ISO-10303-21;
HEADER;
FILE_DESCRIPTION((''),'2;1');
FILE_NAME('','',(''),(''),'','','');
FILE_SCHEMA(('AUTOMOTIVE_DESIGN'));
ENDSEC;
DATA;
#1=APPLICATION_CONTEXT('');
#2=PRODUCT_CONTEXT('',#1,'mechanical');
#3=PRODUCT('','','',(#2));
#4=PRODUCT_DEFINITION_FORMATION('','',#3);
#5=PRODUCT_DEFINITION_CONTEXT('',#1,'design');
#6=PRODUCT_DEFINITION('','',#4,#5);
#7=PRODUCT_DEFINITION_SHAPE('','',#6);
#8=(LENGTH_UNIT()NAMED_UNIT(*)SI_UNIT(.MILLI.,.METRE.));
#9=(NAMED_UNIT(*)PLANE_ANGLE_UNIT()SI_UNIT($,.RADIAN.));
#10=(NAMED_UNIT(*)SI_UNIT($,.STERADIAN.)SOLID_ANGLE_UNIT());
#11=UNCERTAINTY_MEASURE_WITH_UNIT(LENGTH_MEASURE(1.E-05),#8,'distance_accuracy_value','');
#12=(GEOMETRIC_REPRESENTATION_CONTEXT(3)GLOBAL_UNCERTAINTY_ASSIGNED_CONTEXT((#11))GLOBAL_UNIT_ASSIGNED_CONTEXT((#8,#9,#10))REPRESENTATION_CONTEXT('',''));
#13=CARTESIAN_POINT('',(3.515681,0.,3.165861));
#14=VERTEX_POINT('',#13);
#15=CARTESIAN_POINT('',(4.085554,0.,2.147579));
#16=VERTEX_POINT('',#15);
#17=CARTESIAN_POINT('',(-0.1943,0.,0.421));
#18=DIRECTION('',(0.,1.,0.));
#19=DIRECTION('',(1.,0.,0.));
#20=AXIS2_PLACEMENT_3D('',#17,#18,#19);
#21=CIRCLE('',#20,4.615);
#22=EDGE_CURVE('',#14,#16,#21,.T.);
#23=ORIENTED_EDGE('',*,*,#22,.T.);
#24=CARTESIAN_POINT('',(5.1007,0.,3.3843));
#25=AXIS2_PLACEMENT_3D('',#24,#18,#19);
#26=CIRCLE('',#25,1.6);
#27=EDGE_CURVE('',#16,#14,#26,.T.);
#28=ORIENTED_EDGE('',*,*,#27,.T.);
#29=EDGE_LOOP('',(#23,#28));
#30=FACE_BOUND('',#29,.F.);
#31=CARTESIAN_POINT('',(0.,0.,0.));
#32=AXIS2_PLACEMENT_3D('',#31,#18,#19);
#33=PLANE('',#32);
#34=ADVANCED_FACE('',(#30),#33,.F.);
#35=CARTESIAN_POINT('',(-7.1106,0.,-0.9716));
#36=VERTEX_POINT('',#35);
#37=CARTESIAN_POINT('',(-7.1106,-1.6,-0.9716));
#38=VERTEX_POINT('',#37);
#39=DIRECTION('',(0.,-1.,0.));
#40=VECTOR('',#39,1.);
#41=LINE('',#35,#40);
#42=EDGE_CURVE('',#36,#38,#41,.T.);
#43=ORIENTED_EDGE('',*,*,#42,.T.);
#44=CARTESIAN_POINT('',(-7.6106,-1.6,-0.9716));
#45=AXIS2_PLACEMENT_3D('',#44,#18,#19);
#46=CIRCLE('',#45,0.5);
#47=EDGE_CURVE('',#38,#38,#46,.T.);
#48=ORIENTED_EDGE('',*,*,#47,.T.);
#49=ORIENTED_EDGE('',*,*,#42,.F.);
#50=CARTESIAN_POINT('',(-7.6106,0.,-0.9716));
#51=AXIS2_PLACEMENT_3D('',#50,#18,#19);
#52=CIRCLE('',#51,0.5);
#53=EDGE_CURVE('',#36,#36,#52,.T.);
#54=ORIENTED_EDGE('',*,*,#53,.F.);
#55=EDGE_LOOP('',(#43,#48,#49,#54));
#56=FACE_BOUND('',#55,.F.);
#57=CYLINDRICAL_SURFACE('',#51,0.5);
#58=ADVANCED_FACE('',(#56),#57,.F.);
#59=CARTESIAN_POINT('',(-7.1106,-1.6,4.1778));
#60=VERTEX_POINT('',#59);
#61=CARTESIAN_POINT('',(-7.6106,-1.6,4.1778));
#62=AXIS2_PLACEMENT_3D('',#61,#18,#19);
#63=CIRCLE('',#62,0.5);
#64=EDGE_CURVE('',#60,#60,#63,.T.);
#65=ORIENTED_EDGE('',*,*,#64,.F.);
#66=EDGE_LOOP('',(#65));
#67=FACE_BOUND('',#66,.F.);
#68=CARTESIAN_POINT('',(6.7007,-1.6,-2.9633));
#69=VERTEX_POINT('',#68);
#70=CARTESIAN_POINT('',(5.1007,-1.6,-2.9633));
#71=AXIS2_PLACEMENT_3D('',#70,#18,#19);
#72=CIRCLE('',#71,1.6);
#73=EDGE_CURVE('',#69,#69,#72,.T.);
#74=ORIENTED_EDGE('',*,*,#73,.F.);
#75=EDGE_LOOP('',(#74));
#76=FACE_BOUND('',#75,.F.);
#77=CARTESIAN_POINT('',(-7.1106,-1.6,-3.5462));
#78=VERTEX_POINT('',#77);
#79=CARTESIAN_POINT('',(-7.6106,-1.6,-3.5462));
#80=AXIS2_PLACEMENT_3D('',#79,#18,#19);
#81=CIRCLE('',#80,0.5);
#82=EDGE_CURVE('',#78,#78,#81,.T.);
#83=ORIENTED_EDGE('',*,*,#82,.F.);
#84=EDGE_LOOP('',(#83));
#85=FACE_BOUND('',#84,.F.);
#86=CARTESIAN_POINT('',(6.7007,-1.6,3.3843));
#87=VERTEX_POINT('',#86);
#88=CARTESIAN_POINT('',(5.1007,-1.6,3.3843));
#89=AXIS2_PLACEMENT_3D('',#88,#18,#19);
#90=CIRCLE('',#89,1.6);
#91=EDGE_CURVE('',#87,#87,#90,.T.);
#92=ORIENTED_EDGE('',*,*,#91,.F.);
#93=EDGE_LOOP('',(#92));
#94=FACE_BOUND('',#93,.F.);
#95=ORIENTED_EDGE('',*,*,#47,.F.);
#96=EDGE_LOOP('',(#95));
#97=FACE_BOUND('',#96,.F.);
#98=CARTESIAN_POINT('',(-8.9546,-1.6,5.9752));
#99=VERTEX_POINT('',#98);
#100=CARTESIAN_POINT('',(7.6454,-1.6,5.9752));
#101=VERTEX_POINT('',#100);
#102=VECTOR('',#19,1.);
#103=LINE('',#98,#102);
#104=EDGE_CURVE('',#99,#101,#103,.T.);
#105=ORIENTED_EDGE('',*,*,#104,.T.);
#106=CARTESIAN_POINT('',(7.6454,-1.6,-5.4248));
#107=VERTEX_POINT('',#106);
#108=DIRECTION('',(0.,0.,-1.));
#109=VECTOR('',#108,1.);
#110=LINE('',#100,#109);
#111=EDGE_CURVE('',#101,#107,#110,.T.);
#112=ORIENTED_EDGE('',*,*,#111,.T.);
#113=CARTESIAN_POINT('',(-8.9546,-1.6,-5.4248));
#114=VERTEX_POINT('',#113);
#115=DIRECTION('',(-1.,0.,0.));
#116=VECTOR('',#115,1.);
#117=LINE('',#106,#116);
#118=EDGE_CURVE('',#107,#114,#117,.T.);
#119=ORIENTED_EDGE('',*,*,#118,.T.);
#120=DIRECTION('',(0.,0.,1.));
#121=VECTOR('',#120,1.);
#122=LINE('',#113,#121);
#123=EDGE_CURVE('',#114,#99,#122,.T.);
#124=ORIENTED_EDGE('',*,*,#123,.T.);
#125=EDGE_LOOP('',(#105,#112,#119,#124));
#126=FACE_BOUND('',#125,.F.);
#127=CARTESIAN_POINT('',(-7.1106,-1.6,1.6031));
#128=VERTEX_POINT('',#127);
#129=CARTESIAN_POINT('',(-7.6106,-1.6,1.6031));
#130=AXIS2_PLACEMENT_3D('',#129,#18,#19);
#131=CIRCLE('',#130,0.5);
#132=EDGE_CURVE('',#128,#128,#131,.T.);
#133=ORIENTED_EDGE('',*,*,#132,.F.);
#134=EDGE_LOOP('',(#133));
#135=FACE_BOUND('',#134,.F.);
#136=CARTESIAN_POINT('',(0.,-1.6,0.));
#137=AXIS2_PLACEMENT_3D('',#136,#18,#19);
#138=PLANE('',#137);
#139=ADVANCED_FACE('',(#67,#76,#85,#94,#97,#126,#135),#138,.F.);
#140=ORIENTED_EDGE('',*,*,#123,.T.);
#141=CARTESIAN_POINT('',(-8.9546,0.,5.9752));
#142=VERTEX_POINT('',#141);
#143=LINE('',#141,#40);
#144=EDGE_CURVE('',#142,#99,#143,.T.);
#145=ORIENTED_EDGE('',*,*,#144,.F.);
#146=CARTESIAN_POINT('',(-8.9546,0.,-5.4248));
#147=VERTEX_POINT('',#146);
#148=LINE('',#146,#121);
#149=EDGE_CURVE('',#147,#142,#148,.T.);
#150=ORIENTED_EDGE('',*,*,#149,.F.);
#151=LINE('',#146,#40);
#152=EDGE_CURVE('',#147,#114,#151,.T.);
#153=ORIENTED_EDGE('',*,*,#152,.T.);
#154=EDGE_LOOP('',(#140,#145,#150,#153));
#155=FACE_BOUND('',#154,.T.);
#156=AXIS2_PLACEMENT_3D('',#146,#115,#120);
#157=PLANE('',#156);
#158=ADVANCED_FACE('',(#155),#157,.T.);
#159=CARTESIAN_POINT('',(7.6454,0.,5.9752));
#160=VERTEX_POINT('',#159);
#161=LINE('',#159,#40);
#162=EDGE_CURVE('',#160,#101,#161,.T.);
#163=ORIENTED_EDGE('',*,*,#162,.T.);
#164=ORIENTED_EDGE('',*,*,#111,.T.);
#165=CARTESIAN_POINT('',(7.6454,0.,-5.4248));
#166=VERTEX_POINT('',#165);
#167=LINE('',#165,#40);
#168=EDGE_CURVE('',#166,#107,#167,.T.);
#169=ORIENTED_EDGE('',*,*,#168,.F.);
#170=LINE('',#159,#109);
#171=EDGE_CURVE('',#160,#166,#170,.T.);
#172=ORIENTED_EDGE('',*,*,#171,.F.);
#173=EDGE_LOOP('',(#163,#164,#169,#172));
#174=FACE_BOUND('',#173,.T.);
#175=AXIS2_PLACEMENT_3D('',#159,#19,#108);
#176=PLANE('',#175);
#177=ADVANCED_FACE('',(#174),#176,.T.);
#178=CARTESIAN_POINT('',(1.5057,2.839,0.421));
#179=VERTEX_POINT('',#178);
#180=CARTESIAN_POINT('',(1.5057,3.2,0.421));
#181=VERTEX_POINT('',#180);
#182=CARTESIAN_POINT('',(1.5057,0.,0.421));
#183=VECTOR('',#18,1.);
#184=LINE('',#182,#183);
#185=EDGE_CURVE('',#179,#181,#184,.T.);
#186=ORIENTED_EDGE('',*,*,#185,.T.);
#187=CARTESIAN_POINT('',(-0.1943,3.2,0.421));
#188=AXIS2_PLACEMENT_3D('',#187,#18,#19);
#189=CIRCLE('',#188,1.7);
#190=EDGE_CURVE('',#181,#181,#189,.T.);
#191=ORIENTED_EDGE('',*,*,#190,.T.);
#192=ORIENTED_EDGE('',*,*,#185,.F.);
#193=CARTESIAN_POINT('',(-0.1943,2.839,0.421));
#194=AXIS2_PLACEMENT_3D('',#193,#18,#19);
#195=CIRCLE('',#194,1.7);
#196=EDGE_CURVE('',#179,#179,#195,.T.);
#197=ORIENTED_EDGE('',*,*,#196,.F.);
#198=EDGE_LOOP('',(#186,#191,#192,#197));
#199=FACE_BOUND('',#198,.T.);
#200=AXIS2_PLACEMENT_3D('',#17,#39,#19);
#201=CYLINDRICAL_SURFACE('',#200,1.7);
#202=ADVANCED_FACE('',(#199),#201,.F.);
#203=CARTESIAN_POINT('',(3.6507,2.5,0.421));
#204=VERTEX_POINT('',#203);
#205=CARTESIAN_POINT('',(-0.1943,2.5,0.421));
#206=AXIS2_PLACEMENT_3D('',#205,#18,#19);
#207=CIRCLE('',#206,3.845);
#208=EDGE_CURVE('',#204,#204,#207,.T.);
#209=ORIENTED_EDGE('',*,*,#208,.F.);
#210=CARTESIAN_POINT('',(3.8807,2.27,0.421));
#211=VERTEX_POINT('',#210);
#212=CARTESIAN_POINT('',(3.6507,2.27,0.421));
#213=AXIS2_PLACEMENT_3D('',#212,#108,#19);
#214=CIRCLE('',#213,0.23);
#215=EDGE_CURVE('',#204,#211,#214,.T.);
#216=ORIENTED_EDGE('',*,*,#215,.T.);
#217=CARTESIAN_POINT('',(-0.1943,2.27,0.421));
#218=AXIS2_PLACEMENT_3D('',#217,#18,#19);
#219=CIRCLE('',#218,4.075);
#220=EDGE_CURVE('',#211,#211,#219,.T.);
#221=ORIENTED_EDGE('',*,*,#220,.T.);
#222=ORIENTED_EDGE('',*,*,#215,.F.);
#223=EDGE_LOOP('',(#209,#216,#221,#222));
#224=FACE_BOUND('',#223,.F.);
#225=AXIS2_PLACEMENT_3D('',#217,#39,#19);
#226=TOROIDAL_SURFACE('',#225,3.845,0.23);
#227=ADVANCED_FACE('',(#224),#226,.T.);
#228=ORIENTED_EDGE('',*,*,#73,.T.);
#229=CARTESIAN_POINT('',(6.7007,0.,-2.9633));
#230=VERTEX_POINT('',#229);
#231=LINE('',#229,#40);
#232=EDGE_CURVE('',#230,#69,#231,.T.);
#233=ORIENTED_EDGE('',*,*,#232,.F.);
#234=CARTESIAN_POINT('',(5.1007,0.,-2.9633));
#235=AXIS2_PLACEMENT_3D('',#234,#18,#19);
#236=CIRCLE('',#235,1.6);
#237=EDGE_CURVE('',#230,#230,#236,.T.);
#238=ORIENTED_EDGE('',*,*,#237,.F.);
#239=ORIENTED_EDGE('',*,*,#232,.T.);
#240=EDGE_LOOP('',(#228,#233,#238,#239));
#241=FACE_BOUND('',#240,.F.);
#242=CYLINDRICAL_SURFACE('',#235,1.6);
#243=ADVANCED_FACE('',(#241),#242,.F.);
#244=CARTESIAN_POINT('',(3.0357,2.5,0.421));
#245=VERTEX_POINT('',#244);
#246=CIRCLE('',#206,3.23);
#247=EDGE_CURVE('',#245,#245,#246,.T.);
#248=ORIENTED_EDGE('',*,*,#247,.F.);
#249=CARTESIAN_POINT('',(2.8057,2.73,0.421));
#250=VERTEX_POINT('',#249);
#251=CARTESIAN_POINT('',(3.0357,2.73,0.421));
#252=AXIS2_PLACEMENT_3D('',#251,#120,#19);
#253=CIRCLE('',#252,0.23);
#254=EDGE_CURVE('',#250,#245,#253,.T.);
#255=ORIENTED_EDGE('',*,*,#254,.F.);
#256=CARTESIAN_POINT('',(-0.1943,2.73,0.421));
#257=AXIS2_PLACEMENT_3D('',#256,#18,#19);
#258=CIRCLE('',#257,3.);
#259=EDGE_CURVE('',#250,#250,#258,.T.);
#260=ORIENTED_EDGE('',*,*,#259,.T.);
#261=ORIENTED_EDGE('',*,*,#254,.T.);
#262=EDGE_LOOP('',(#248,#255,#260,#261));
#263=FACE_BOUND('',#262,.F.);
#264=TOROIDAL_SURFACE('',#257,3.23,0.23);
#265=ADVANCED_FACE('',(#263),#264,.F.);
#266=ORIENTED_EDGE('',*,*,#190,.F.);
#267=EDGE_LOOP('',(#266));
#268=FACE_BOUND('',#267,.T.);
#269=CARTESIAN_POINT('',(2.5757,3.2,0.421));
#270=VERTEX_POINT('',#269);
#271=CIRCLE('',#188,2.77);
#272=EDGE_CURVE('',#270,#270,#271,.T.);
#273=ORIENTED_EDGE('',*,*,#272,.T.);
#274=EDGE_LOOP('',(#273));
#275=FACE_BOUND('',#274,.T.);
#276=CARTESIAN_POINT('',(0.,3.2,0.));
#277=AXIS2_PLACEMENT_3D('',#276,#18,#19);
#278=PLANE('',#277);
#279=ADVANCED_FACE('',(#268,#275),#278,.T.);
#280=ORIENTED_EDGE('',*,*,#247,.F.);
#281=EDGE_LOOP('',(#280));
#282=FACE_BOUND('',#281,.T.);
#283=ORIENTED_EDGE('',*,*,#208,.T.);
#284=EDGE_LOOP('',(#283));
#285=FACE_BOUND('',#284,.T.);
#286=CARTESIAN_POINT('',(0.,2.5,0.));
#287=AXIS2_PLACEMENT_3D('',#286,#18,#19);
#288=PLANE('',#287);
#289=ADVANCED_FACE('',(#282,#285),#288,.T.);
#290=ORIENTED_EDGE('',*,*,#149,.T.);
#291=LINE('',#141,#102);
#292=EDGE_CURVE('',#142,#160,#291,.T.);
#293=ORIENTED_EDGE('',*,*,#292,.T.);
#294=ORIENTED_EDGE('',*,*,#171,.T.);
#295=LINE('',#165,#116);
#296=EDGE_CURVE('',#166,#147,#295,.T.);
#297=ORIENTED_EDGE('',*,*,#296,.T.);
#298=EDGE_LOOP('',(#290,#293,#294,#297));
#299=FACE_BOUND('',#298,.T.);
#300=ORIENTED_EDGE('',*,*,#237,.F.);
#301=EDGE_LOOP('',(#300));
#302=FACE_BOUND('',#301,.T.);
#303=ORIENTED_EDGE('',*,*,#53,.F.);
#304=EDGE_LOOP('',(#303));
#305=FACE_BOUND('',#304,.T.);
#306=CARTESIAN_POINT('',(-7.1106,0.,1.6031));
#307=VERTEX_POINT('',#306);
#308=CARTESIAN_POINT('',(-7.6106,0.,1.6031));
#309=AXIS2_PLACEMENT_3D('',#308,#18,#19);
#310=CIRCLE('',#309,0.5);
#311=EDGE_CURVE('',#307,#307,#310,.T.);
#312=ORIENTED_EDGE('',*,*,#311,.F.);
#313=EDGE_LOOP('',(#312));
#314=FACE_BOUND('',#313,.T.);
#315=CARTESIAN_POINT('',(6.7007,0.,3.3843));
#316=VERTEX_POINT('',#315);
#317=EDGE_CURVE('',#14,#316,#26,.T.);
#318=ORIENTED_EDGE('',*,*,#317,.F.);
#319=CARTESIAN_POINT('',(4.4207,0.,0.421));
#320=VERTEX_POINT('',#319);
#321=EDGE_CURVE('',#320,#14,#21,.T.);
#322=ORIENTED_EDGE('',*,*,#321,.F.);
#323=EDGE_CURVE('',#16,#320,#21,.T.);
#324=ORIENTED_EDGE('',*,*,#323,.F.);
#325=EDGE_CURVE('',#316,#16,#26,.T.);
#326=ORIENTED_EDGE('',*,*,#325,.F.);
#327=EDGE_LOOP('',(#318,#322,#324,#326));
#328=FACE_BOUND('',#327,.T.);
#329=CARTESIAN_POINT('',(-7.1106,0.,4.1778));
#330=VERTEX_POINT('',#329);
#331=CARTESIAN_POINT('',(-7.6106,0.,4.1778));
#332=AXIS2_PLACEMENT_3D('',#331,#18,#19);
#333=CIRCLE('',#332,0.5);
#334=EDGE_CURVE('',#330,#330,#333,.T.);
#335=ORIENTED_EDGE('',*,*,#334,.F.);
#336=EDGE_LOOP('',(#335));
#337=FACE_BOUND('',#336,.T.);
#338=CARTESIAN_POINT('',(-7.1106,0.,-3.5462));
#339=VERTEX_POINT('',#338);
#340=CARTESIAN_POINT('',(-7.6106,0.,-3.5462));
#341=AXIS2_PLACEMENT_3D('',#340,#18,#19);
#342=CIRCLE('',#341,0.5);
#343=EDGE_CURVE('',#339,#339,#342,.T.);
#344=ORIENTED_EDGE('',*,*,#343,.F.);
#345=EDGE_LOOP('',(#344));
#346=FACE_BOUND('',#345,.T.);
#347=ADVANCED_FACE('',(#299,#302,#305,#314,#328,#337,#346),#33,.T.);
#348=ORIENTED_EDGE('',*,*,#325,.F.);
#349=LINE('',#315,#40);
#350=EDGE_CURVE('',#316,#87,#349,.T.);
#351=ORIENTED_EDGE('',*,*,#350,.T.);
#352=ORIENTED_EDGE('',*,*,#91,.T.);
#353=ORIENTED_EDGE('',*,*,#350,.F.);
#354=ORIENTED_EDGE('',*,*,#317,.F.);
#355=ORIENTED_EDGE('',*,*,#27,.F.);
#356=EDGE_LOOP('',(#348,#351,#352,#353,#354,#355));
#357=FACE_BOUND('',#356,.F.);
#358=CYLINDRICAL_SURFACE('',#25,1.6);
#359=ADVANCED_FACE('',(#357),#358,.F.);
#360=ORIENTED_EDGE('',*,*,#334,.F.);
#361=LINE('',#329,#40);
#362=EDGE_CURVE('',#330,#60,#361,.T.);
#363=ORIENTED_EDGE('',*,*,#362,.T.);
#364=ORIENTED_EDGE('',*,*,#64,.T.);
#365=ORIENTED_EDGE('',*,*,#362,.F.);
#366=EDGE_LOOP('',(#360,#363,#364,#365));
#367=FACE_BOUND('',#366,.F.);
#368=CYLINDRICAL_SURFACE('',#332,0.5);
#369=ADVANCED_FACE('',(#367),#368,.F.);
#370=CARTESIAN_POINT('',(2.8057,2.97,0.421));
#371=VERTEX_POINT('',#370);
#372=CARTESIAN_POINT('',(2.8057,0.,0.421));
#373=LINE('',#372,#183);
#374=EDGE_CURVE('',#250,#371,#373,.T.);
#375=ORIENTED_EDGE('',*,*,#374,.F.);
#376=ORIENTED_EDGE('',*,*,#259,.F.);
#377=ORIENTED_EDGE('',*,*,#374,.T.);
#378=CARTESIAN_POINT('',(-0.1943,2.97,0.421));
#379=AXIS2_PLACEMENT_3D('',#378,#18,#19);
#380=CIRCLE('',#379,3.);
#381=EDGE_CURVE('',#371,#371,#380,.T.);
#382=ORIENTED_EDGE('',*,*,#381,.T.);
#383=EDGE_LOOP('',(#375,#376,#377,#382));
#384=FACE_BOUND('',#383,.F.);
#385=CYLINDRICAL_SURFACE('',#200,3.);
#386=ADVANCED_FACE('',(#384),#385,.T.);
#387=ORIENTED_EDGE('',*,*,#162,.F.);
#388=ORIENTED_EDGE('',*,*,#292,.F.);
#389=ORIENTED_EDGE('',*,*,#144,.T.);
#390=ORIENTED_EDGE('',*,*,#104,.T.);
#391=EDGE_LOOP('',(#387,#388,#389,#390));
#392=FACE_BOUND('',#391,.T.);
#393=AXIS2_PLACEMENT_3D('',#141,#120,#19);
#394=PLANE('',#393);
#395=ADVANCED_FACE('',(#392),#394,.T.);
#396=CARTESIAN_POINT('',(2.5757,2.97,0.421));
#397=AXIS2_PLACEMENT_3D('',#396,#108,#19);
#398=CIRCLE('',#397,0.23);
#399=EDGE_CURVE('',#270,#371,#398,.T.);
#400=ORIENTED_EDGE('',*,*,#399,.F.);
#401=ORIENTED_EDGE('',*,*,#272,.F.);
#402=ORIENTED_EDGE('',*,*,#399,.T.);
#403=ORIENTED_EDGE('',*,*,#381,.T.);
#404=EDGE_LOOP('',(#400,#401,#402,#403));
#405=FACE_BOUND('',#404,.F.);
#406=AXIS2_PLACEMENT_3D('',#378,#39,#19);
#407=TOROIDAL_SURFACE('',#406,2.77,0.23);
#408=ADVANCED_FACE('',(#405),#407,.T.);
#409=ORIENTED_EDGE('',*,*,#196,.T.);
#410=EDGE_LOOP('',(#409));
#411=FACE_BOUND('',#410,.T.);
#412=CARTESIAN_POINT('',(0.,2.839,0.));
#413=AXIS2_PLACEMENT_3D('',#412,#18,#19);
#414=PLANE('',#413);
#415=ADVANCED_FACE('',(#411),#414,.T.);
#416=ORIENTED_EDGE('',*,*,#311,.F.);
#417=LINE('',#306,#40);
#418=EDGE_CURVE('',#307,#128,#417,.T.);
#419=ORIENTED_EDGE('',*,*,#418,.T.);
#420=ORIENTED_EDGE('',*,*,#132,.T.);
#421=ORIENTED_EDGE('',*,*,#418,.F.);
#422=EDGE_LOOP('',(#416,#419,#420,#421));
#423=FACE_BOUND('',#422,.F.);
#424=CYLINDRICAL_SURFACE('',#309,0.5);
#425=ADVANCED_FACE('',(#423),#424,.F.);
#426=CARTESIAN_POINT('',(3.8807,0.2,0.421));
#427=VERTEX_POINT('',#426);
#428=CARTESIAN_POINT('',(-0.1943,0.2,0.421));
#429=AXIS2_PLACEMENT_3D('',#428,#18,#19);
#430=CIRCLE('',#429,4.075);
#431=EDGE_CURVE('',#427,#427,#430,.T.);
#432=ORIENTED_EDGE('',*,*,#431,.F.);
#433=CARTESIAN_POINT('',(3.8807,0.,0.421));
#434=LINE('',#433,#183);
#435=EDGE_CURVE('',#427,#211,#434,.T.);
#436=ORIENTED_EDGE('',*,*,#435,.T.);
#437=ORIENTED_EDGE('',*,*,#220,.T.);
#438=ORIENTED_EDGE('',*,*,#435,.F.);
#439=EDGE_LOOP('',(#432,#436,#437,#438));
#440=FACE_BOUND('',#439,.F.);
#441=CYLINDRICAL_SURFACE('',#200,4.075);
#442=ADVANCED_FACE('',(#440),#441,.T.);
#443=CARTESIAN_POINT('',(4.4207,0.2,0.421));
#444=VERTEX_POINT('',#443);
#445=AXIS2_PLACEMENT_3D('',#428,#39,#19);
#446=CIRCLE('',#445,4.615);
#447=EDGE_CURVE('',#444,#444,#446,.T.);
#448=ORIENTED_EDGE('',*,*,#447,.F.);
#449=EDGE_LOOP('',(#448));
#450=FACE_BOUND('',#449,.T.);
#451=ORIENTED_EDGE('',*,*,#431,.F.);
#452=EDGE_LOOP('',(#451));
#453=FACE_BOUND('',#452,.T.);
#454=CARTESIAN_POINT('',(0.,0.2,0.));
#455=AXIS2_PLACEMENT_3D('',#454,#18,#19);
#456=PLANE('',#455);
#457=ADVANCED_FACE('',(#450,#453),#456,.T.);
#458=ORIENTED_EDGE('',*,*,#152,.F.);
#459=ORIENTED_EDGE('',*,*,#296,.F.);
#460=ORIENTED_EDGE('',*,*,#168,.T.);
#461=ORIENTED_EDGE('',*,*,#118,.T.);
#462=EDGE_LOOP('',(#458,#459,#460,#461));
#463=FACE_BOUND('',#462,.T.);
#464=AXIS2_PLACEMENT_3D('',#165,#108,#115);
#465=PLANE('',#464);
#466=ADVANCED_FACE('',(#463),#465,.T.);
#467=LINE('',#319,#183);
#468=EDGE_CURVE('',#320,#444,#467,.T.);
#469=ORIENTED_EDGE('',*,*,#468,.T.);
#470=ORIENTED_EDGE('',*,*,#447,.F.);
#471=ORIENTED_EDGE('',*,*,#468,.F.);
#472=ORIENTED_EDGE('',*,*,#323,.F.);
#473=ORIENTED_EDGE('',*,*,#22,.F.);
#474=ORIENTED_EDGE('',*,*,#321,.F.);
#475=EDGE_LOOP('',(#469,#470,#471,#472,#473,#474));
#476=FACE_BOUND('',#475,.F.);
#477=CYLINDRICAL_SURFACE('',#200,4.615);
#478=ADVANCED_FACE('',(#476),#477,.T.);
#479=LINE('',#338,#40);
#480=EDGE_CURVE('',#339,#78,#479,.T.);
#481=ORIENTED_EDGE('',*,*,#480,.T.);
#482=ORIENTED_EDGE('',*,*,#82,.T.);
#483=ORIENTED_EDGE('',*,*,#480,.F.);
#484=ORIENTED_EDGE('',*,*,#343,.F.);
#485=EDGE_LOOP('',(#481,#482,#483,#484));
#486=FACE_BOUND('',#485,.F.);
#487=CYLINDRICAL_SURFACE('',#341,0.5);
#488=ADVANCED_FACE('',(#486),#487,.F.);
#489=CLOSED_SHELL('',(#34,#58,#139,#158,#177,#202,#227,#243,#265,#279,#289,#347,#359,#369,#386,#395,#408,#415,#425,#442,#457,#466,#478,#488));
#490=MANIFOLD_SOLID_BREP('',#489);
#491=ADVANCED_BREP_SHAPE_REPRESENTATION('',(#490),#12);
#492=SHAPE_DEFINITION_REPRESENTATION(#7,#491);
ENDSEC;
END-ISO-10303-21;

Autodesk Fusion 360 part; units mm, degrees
sketch "Sketch1" plane through (0, 0, 0) normal (0, 1, 0) x (1, 0, 0)
  line L0 (-8.9546, -5.9752) -> (7.6454, -5.9752)
  line L1 (7.6454, -5.9752) -> (7.6454, 5.4248)
  line L2 (7.6454, 5.4248) -> (-8.9546, 5.4248)
  line L3 (-8.9546, 5.4248) -> (-8.9546, -5.9752)
  circle A0 centre (-7.6106, 3.5462) radius 0.5
  circle A1 centre (-7.6106, 0.9716) radius 0.5
  circle A2 centre (-7.6106, -1.6031) radius 0.5
  circle A3 centre (-7.6106, -4.1778) radius 0.5
  circle A4 centre (-0.1943, -0.421) radius 4.615
  circle A5 centre (-0.1943, -0.421) radius 4.075
  circle A6 centre (-0.1943, -0.421) radius 3
  circle A7 centre (-0.1943, -0.421) radius 1.7
  circle A8 centre (5.1007, 2.9633) radius 1.6
  circle A9 centre (5.1007, -3.3843) radius 1.6
  dimension "d1" = 16.6
  dimension "d2" = 11.4
  dimension "d3" = 1
  dimension "d6" = 0
  dimension "d7" = -7.724
  dimension "d8" = 9.23
  dimension "d9" = 8.15
  dimension "d10" = 6
  dimension "d11" = 3.4
  dimension "d12" = 3.2
  dimension "d13" = 3.2
extrude "Extrude1" add sketch "Sketch1" against normal blind 1.6 contours L0 L1 L2 L3 | A4 A9 | A5 | A6 | A7 picked at (3.1257, -3.3478)
extrude "Extrude2" add sketch "Sketch1" along normal blind 0.2 contours A4 A9 | A4 A9 picked at (3.1257, -3.3478) picked at (3.7696, -2.6849)
extrude "Extrude3" add sketch "Sketch1" along normal blind 2.5 contours A5
extrude "Extrude4" add sketch "Sketch1" along normal blind 3.2 contours A6
extrude "Extrude5" add sketch "Sketch1" along normal blind 2.839 contours A7
fillet "Fillet1" radius 0.23 3 edges at (-2.9913, 3.2, 1.5059) (-2.9913, 2.5, -0.6638) (-3.9935, 2.5, 1.8946)
